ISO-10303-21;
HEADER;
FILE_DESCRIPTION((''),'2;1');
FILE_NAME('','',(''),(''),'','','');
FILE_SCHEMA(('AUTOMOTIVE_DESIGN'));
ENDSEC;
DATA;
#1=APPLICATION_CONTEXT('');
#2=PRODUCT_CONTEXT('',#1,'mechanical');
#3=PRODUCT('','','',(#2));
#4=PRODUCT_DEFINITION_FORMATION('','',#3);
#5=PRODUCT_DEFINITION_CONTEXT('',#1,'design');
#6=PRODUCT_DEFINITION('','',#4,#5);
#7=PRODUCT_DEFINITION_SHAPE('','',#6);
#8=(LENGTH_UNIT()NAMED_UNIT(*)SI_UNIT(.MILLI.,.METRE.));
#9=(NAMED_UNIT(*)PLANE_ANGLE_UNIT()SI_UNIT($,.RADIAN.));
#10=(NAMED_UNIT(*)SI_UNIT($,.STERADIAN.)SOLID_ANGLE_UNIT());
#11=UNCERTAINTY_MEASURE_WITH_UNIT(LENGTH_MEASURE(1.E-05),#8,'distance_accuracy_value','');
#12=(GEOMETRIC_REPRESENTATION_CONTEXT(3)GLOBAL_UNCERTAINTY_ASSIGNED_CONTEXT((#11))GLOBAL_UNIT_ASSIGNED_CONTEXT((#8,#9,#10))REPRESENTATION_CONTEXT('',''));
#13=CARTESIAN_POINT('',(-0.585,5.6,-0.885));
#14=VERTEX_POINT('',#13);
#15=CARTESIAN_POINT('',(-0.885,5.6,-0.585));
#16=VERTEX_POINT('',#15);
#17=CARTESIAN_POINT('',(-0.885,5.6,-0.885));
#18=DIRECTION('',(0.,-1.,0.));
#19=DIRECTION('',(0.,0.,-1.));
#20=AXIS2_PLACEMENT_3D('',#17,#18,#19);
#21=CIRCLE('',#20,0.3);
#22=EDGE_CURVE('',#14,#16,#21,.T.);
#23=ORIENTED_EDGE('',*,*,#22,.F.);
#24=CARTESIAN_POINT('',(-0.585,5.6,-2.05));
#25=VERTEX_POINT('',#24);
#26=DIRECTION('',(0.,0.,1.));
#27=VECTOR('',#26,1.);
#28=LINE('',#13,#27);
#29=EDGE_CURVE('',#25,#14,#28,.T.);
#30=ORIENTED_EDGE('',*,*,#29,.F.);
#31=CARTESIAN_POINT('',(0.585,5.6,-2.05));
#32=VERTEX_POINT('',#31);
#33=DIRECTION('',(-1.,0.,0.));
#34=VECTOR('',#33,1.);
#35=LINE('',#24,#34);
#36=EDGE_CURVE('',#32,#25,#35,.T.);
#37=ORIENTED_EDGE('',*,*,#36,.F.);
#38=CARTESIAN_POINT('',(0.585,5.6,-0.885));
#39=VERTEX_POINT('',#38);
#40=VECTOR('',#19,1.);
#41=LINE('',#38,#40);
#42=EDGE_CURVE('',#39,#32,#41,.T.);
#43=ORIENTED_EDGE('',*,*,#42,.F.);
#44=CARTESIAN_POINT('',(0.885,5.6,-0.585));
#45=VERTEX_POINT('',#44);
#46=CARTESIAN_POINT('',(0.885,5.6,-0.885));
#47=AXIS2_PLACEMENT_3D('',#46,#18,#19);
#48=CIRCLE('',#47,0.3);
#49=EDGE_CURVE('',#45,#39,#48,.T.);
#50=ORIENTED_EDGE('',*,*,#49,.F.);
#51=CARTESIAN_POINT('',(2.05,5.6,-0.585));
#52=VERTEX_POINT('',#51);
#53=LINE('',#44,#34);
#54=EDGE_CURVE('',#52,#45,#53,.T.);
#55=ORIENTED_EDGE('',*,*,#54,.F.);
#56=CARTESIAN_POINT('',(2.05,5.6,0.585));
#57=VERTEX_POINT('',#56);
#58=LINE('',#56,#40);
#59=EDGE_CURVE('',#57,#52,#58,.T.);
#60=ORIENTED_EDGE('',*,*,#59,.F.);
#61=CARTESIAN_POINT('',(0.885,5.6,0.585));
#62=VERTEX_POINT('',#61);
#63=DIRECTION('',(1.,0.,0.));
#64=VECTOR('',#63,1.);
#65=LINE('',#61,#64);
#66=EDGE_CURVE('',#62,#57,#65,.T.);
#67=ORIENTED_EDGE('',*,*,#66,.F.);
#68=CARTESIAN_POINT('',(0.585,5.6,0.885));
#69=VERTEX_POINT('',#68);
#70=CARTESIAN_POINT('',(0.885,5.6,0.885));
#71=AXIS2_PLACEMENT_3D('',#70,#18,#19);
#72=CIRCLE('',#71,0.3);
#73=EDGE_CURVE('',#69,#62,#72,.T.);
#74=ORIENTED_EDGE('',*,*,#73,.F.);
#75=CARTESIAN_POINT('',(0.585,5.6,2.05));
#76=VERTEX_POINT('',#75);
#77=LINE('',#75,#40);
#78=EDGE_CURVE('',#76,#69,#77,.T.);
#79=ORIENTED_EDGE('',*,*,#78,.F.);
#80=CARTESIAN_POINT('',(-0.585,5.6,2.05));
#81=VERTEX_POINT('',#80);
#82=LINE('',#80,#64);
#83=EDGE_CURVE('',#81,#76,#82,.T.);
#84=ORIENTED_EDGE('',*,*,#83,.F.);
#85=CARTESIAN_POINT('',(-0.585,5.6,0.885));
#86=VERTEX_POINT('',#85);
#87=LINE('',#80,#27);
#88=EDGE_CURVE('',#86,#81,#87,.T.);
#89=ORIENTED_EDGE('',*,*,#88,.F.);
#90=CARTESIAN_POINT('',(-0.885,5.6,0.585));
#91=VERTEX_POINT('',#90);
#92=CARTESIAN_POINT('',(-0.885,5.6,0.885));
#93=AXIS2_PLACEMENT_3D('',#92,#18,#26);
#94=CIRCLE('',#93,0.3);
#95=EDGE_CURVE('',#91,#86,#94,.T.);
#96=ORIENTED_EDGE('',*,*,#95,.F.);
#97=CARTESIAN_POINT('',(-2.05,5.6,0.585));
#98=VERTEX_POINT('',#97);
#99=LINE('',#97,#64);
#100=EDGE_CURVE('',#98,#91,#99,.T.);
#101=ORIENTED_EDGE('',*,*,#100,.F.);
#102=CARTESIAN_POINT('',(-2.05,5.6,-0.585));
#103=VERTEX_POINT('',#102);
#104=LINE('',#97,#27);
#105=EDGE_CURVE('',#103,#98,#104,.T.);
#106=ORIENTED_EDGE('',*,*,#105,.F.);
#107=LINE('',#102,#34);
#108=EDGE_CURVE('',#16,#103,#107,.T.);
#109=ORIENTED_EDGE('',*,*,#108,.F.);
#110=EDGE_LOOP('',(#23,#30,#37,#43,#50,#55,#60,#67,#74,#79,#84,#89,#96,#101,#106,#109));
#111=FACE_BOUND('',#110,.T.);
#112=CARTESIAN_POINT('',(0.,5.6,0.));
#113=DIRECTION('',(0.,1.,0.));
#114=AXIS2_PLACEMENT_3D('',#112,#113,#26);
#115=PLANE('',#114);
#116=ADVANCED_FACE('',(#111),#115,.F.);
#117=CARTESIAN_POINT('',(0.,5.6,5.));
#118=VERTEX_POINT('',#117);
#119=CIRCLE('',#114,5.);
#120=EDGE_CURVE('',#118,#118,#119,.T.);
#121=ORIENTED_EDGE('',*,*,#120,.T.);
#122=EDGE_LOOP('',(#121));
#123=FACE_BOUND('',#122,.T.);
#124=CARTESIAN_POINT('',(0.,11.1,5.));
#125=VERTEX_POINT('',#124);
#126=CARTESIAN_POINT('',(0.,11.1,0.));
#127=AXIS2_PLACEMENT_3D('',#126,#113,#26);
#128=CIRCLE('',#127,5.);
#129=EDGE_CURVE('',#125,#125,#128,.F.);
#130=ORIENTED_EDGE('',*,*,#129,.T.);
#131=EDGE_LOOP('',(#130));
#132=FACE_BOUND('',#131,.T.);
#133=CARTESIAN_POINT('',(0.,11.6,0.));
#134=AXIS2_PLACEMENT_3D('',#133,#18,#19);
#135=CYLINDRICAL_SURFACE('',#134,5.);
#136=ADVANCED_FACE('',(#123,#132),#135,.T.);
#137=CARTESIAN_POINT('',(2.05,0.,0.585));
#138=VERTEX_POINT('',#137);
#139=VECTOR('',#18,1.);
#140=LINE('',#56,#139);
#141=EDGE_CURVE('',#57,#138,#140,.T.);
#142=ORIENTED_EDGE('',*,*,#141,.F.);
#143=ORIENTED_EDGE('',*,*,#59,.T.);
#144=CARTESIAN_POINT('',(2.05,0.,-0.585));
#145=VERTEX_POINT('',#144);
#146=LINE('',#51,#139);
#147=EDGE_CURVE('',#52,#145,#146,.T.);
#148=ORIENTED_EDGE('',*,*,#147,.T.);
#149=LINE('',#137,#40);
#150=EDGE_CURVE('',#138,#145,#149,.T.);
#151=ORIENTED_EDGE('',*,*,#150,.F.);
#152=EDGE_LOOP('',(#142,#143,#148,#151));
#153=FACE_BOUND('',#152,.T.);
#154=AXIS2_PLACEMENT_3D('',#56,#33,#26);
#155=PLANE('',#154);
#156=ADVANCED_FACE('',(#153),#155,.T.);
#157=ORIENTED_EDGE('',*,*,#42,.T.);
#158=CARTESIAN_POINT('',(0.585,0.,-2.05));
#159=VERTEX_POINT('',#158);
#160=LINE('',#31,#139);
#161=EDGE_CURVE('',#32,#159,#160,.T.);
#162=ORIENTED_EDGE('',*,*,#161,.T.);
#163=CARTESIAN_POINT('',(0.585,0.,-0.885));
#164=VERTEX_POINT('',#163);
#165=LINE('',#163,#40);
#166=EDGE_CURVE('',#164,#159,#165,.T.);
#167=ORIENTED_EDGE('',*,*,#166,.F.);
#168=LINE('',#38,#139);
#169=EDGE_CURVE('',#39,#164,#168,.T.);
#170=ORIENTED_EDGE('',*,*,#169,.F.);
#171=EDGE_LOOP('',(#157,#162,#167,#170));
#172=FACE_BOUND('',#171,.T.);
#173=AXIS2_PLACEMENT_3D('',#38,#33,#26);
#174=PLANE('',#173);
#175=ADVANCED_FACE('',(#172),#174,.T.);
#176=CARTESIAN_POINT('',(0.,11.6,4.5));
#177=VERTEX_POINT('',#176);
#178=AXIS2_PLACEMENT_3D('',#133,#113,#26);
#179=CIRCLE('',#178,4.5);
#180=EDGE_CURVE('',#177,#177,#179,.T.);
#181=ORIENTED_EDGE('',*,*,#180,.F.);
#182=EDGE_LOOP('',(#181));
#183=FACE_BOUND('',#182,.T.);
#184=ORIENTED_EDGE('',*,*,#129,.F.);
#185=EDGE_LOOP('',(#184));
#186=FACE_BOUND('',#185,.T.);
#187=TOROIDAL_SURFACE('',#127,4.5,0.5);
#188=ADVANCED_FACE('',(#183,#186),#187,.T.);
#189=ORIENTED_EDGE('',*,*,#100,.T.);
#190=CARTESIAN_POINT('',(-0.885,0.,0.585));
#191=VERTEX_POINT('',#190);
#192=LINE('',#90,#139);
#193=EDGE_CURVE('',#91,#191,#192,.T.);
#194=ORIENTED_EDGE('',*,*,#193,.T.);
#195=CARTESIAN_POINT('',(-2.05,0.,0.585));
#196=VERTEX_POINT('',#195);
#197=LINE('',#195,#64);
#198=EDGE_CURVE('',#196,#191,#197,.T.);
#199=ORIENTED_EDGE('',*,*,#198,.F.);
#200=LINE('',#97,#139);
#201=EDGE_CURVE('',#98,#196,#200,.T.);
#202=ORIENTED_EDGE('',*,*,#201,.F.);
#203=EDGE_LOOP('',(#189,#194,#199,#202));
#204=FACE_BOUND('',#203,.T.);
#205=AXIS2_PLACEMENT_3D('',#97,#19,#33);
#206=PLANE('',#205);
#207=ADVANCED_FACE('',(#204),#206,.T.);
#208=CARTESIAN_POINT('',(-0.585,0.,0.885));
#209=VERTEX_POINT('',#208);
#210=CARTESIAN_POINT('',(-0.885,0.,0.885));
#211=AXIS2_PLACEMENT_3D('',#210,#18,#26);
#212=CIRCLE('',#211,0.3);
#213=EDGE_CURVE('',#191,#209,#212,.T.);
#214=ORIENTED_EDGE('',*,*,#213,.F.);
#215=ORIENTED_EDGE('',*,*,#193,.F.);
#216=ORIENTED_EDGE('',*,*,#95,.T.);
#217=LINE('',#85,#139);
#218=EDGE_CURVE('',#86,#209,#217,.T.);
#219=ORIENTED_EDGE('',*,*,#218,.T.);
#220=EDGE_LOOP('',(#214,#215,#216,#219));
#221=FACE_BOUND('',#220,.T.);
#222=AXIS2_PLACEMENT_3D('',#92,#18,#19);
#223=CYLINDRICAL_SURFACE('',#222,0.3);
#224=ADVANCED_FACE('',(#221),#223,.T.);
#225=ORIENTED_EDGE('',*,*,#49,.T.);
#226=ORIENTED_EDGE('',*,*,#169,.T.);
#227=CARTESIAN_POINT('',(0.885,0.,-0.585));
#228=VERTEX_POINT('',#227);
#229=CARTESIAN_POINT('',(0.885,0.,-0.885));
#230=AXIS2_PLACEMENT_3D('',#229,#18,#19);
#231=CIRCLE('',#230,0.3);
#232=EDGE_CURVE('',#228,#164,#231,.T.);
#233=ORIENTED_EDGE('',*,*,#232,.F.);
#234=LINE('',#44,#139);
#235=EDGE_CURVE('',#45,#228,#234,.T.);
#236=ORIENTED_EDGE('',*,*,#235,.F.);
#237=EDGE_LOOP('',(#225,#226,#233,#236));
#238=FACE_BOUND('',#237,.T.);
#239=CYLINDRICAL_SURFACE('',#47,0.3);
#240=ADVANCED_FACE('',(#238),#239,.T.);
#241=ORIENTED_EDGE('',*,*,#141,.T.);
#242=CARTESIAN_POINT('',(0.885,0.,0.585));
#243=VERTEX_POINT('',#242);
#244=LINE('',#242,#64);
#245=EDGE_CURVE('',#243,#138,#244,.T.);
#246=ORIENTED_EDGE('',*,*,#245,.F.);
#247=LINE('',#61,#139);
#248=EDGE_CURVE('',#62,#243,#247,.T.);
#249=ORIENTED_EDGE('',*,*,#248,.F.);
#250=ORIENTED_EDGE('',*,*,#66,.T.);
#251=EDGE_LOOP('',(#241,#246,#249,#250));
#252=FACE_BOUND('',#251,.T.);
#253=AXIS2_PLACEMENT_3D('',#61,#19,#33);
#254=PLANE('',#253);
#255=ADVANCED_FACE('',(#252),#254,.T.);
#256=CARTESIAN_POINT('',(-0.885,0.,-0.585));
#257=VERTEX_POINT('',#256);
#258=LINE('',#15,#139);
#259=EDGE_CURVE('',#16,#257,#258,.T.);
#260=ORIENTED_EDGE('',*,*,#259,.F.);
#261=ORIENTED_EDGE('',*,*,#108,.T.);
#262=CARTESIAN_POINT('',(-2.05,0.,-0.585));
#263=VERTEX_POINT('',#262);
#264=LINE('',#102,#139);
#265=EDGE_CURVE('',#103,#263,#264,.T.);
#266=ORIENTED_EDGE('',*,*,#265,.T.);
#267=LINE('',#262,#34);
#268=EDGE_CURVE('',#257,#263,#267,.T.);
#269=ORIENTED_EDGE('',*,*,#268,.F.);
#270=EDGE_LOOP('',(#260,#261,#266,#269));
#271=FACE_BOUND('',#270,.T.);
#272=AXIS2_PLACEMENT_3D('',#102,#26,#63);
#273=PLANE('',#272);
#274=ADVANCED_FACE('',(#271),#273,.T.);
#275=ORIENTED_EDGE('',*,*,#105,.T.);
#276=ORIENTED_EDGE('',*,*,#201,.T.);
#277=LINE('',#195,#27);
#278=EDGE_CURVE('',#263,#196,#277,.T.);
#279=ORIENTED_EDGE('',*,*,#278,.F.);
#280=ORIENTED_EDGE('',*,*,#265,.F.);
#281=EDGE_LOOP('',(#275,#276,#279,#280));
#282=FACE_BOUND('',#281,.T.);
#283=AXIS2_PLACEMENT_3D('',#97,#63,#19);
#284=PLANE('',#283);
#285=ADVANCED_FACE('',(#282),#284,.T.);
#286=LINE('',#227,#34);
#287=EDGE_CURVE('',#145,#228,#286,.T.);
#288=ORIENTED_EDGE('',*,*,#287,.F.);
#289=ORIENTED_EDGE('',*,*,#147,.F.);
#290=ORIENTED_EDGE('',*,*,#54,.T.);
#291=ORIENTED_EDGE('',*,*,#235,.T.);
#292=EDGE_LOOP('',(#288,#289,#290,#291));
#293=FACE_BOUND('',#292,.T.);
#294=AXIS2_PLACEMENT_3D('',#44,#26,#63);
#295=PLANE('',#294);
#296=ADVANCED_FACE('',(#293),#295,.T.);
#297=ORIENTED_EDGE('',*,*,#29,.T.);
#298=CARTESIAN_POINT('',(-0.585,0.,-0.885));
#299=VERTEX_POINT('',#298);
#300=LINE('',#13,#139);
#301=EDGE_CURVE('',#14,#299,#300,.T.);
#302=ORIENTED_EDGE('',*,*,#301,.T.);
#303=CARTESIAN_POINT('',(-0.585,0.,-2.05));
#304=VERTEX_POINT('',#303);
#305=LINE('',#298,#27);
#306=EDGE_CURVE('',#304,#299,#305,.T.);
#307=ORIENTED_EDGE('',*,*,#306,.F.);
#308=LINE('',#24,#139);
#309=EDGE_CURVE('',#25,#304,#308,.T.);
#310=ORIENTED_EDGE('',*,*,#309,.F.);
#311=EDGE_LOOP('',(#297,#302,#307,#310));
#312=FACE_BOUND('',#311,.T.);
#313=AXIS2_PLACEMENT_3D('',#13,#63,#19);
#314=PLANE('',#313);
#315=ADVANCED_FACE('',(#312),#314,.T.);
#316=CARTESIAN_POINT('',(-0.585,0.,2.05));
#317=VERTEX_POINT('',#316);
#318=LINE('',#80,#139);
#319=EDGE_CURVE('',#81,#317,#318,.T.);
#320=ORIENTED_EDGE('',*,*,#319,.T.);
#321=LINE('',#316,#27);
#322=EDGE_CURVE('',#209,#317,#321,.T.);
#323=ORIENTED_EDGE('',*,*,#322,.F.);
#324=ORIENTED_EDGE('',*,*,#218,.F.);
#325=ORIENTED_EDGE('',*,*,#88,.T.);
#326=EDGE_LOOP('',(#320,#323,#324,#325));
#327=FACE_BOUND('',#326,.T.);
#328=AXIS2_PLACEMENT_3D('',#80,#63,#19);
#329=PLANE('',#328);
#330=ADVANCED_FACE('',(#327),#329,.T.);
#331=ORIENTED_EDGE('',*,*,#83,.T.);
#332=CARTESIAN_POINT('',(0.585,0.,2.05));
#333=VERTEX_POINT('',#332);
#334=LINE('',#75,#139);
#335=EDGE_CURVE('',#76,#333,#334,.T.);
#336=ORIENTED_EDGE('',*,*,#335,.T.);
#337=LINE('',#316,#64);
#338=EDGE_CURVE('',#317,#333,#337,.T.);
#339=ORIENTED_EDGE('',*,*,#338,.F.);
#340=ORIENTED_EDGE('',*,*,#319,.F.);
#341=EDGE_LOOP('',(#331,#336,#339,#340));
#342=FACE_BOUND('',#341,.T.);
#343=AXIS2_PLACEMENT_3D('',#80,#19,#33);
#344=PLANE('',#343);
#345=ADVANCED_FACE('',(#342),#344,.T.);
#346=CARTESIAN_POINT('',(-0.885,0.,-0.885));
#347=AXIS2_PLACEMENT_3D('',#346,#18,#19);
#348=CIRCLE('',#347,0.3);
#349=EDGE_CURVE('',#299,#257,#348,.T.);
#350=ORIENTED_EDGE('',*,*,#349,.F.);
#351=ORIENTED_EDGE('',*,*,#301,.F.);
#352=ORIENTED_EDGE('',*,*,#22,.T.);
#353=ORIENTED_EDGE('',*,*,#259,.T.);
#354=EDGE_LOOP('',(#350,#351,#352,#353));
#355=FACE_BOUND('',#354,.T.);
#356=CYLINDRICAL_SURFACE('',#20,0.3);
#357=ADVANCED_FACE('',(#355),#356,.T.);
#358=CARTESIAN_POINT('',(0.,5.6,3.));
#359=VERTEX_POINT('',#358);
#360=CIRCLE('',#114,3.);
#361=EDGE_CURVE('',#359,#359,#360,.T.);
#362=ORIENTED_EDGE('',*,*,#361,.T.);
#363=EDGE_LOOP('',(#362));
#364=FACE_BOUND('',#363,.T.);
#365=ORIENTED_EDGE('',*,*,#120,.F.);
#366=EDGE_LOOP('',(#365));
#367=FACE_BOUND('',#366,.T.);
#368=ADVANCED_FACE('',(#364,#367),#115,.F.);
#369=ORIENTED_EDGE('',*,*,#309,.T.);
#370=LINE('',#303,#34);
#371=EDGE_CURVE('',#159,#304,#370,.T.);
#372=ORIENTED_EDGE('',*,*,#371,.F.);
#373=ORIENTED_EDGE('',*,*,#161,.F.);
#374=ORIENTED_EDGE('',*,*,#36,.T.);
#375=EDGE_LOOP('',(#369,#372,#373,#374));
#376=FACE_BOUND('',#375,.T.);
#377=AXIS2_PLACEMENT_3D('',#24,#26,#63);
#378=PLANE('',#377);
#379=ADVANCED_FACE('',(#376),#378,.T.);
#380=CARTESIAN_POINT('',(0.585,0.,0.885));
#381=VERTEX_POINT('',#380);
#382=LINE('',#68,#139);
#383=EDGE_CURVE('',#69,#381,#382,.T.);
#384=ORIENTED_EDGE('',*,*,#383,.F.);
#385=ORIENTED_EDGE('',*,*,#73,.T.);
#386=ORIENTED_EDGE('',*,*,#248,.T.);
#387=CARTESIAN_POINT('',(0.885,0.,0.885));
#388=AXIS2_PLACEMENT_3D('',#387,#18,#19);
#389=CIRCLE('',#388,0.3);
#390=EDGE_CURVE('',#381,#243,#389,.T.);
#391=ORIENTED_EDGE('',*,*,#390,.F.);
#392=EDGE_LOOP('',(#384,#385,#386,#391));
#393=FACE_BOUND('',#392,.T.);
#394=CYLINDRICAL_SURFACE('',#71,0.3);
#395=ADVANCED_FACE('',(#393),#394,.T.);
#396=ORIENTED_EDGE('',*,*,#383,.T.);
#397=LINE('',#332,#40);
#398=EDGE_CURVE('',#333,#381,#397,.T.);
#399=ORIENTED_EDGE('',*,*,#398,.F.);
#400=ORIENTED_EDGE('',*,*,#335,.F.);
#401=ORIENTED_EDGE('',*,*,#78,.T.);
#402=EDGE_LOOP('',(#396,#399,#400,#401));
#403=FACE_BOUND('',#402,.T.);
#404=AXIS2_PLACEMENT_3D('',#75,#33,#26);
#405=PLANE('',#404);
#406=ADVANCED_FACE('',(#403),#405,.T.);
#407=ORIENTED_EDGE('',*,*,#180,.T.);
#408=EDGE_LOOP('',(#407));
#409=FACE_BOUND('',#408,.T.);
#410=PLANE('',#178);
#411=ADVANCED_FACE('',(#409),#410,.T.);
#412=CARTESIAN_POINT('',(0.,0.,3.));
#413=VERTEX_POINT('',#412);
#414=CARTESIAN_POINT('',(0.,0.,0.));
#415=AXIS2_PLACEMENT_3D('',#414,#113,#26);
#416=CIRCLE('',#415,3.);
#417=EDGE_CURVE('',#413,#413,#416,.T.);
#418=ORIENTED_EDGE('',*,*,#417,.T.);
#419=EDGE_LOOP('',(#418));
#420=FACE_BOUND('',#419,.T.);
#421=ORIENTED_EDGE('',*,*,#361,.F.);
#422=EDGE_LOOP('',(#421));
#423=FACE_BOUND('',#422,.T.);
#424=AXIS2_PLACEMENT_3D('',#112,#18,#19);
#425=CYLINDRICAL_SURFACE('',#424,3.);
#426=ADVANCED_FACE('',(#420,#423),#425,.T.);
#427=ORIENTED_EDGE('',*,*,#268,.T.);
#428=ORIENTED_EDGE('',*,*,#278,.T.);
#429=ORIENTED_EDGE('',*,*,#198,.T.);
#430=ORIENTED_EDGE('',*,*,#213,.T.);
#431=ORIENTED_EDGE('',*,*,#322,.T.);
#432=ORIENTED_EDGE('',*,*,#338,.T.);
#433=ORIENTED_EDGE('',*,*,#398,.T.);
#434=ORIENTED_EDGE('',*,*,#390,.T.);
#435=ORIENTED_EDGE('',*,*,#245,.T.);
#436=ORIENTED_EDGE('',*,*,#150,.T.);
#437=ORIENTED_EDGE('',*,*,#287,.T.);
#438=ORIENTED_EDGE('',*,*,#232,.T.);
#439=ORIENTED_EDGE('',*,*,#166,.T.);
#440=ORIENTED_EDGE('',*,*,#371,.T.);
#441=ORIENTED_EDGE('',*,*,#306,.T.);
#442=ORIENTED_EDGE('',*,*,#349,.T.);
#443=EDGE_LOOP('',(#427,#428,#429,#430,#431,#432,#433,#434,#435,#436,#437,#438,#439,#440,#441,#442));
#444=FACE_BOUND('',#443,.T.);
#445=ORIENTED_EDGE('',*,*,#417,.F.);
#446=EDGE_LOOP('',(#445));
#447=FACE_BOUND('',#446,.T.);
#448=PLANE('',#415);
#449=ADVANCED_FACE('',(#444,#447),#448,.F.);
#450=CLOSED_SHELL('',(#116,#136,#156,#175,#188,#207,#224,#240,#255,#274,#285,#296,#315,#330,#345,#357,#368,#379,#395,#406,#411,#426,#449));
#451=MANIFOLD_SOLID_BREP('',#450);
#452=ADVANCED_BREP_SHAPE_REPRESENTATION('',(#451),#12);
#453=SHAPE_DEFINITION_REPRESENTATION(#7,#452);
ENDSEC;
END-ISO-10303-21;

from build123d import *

# Parameters (mm, degrees)
SKETCH1_R          = 3
STEM_HOUSING_DEPTH = 5.6
SKETCH2_R          = 5
BUTTON_HEAD_DEPTH  = 6
FILLET1_R          = 0.5


with BuildPart() as part:
    # Sketch1 → stem housing (new body)
    with BuildSketch(Plane(origin=(0, 0, 0), x_dir=(1, 0, 0), z_dir=(0, 1, 0))):
        with Locations(Location((0, 0, 0), (0, 0, 270))):
            Circle(SKETCH1_R)
        with BuildLine():
            Line((-0.585, 0.885), (-0.585, 2.05))
            Line((-0.585, 2.05), (0.585, 2.05))
            Line((0.585, 2.05), (0.585, 0.885))
            ThreePointArc((0.585, 0.885), (0.672867966, 0.672867966), (0.885, 0.585))
            Line((0.885, 0.585), (2.05, 0.585))
            Line((2.05, 0.585), (2.05, -0.585))
            Line((2.05, -0.585), (0.885, -0.585))
            ThreePointArc((0.885, -0.585), (0.672867966, -0.672867966), (0.585, -0.885))
            Line((0.585, -0.885), (0.585, -2.05))
            Line((0.585, -2.05), (-0.585, -2.05))
            Line((-0.585, -2.05), (-0.585, -0.885))
            ThreePointArc((-0.585, -0.885), (-0.672867966, -0.672867966), (-0.885, -0.585))
            Line((-0.885, -0.585), (-2.05, -0.585))
            Line((-2.05, -0.585), (-2.05, 0.585))
            Line((-2.05, 0.585), (-0.885, 0.585))
            ThreePointArc((-0.885, 0.585), (-0.672867966, 0.672867966), (-0.585, 0.885))
        make_face(mode=Mode.SUBTRACT)
    extrude(amount=STEM_HOUSING_DEPTH)

    # Sketch2 → button head (add)
    with BuildSketch(Plane(origin=(0, 5.6, 0), x_dir=(1, 0, 0), z_dir=(0, 1, 0))):
        with Locations(Location((0, 0, 0), (0, 0, 270))):
            Circle(SKETCH2_R)
    extrude(amount=BUTTON_HEAD_DEPTH)

    # Fillet1
    fillet1_edges = [part.edges().sort_by_distance(p)[0] for p in [
        (0, 11.6, -5),
    ]]
    fillet(fillet1_edges, radius=FILLET1_R)


solid = part.part
